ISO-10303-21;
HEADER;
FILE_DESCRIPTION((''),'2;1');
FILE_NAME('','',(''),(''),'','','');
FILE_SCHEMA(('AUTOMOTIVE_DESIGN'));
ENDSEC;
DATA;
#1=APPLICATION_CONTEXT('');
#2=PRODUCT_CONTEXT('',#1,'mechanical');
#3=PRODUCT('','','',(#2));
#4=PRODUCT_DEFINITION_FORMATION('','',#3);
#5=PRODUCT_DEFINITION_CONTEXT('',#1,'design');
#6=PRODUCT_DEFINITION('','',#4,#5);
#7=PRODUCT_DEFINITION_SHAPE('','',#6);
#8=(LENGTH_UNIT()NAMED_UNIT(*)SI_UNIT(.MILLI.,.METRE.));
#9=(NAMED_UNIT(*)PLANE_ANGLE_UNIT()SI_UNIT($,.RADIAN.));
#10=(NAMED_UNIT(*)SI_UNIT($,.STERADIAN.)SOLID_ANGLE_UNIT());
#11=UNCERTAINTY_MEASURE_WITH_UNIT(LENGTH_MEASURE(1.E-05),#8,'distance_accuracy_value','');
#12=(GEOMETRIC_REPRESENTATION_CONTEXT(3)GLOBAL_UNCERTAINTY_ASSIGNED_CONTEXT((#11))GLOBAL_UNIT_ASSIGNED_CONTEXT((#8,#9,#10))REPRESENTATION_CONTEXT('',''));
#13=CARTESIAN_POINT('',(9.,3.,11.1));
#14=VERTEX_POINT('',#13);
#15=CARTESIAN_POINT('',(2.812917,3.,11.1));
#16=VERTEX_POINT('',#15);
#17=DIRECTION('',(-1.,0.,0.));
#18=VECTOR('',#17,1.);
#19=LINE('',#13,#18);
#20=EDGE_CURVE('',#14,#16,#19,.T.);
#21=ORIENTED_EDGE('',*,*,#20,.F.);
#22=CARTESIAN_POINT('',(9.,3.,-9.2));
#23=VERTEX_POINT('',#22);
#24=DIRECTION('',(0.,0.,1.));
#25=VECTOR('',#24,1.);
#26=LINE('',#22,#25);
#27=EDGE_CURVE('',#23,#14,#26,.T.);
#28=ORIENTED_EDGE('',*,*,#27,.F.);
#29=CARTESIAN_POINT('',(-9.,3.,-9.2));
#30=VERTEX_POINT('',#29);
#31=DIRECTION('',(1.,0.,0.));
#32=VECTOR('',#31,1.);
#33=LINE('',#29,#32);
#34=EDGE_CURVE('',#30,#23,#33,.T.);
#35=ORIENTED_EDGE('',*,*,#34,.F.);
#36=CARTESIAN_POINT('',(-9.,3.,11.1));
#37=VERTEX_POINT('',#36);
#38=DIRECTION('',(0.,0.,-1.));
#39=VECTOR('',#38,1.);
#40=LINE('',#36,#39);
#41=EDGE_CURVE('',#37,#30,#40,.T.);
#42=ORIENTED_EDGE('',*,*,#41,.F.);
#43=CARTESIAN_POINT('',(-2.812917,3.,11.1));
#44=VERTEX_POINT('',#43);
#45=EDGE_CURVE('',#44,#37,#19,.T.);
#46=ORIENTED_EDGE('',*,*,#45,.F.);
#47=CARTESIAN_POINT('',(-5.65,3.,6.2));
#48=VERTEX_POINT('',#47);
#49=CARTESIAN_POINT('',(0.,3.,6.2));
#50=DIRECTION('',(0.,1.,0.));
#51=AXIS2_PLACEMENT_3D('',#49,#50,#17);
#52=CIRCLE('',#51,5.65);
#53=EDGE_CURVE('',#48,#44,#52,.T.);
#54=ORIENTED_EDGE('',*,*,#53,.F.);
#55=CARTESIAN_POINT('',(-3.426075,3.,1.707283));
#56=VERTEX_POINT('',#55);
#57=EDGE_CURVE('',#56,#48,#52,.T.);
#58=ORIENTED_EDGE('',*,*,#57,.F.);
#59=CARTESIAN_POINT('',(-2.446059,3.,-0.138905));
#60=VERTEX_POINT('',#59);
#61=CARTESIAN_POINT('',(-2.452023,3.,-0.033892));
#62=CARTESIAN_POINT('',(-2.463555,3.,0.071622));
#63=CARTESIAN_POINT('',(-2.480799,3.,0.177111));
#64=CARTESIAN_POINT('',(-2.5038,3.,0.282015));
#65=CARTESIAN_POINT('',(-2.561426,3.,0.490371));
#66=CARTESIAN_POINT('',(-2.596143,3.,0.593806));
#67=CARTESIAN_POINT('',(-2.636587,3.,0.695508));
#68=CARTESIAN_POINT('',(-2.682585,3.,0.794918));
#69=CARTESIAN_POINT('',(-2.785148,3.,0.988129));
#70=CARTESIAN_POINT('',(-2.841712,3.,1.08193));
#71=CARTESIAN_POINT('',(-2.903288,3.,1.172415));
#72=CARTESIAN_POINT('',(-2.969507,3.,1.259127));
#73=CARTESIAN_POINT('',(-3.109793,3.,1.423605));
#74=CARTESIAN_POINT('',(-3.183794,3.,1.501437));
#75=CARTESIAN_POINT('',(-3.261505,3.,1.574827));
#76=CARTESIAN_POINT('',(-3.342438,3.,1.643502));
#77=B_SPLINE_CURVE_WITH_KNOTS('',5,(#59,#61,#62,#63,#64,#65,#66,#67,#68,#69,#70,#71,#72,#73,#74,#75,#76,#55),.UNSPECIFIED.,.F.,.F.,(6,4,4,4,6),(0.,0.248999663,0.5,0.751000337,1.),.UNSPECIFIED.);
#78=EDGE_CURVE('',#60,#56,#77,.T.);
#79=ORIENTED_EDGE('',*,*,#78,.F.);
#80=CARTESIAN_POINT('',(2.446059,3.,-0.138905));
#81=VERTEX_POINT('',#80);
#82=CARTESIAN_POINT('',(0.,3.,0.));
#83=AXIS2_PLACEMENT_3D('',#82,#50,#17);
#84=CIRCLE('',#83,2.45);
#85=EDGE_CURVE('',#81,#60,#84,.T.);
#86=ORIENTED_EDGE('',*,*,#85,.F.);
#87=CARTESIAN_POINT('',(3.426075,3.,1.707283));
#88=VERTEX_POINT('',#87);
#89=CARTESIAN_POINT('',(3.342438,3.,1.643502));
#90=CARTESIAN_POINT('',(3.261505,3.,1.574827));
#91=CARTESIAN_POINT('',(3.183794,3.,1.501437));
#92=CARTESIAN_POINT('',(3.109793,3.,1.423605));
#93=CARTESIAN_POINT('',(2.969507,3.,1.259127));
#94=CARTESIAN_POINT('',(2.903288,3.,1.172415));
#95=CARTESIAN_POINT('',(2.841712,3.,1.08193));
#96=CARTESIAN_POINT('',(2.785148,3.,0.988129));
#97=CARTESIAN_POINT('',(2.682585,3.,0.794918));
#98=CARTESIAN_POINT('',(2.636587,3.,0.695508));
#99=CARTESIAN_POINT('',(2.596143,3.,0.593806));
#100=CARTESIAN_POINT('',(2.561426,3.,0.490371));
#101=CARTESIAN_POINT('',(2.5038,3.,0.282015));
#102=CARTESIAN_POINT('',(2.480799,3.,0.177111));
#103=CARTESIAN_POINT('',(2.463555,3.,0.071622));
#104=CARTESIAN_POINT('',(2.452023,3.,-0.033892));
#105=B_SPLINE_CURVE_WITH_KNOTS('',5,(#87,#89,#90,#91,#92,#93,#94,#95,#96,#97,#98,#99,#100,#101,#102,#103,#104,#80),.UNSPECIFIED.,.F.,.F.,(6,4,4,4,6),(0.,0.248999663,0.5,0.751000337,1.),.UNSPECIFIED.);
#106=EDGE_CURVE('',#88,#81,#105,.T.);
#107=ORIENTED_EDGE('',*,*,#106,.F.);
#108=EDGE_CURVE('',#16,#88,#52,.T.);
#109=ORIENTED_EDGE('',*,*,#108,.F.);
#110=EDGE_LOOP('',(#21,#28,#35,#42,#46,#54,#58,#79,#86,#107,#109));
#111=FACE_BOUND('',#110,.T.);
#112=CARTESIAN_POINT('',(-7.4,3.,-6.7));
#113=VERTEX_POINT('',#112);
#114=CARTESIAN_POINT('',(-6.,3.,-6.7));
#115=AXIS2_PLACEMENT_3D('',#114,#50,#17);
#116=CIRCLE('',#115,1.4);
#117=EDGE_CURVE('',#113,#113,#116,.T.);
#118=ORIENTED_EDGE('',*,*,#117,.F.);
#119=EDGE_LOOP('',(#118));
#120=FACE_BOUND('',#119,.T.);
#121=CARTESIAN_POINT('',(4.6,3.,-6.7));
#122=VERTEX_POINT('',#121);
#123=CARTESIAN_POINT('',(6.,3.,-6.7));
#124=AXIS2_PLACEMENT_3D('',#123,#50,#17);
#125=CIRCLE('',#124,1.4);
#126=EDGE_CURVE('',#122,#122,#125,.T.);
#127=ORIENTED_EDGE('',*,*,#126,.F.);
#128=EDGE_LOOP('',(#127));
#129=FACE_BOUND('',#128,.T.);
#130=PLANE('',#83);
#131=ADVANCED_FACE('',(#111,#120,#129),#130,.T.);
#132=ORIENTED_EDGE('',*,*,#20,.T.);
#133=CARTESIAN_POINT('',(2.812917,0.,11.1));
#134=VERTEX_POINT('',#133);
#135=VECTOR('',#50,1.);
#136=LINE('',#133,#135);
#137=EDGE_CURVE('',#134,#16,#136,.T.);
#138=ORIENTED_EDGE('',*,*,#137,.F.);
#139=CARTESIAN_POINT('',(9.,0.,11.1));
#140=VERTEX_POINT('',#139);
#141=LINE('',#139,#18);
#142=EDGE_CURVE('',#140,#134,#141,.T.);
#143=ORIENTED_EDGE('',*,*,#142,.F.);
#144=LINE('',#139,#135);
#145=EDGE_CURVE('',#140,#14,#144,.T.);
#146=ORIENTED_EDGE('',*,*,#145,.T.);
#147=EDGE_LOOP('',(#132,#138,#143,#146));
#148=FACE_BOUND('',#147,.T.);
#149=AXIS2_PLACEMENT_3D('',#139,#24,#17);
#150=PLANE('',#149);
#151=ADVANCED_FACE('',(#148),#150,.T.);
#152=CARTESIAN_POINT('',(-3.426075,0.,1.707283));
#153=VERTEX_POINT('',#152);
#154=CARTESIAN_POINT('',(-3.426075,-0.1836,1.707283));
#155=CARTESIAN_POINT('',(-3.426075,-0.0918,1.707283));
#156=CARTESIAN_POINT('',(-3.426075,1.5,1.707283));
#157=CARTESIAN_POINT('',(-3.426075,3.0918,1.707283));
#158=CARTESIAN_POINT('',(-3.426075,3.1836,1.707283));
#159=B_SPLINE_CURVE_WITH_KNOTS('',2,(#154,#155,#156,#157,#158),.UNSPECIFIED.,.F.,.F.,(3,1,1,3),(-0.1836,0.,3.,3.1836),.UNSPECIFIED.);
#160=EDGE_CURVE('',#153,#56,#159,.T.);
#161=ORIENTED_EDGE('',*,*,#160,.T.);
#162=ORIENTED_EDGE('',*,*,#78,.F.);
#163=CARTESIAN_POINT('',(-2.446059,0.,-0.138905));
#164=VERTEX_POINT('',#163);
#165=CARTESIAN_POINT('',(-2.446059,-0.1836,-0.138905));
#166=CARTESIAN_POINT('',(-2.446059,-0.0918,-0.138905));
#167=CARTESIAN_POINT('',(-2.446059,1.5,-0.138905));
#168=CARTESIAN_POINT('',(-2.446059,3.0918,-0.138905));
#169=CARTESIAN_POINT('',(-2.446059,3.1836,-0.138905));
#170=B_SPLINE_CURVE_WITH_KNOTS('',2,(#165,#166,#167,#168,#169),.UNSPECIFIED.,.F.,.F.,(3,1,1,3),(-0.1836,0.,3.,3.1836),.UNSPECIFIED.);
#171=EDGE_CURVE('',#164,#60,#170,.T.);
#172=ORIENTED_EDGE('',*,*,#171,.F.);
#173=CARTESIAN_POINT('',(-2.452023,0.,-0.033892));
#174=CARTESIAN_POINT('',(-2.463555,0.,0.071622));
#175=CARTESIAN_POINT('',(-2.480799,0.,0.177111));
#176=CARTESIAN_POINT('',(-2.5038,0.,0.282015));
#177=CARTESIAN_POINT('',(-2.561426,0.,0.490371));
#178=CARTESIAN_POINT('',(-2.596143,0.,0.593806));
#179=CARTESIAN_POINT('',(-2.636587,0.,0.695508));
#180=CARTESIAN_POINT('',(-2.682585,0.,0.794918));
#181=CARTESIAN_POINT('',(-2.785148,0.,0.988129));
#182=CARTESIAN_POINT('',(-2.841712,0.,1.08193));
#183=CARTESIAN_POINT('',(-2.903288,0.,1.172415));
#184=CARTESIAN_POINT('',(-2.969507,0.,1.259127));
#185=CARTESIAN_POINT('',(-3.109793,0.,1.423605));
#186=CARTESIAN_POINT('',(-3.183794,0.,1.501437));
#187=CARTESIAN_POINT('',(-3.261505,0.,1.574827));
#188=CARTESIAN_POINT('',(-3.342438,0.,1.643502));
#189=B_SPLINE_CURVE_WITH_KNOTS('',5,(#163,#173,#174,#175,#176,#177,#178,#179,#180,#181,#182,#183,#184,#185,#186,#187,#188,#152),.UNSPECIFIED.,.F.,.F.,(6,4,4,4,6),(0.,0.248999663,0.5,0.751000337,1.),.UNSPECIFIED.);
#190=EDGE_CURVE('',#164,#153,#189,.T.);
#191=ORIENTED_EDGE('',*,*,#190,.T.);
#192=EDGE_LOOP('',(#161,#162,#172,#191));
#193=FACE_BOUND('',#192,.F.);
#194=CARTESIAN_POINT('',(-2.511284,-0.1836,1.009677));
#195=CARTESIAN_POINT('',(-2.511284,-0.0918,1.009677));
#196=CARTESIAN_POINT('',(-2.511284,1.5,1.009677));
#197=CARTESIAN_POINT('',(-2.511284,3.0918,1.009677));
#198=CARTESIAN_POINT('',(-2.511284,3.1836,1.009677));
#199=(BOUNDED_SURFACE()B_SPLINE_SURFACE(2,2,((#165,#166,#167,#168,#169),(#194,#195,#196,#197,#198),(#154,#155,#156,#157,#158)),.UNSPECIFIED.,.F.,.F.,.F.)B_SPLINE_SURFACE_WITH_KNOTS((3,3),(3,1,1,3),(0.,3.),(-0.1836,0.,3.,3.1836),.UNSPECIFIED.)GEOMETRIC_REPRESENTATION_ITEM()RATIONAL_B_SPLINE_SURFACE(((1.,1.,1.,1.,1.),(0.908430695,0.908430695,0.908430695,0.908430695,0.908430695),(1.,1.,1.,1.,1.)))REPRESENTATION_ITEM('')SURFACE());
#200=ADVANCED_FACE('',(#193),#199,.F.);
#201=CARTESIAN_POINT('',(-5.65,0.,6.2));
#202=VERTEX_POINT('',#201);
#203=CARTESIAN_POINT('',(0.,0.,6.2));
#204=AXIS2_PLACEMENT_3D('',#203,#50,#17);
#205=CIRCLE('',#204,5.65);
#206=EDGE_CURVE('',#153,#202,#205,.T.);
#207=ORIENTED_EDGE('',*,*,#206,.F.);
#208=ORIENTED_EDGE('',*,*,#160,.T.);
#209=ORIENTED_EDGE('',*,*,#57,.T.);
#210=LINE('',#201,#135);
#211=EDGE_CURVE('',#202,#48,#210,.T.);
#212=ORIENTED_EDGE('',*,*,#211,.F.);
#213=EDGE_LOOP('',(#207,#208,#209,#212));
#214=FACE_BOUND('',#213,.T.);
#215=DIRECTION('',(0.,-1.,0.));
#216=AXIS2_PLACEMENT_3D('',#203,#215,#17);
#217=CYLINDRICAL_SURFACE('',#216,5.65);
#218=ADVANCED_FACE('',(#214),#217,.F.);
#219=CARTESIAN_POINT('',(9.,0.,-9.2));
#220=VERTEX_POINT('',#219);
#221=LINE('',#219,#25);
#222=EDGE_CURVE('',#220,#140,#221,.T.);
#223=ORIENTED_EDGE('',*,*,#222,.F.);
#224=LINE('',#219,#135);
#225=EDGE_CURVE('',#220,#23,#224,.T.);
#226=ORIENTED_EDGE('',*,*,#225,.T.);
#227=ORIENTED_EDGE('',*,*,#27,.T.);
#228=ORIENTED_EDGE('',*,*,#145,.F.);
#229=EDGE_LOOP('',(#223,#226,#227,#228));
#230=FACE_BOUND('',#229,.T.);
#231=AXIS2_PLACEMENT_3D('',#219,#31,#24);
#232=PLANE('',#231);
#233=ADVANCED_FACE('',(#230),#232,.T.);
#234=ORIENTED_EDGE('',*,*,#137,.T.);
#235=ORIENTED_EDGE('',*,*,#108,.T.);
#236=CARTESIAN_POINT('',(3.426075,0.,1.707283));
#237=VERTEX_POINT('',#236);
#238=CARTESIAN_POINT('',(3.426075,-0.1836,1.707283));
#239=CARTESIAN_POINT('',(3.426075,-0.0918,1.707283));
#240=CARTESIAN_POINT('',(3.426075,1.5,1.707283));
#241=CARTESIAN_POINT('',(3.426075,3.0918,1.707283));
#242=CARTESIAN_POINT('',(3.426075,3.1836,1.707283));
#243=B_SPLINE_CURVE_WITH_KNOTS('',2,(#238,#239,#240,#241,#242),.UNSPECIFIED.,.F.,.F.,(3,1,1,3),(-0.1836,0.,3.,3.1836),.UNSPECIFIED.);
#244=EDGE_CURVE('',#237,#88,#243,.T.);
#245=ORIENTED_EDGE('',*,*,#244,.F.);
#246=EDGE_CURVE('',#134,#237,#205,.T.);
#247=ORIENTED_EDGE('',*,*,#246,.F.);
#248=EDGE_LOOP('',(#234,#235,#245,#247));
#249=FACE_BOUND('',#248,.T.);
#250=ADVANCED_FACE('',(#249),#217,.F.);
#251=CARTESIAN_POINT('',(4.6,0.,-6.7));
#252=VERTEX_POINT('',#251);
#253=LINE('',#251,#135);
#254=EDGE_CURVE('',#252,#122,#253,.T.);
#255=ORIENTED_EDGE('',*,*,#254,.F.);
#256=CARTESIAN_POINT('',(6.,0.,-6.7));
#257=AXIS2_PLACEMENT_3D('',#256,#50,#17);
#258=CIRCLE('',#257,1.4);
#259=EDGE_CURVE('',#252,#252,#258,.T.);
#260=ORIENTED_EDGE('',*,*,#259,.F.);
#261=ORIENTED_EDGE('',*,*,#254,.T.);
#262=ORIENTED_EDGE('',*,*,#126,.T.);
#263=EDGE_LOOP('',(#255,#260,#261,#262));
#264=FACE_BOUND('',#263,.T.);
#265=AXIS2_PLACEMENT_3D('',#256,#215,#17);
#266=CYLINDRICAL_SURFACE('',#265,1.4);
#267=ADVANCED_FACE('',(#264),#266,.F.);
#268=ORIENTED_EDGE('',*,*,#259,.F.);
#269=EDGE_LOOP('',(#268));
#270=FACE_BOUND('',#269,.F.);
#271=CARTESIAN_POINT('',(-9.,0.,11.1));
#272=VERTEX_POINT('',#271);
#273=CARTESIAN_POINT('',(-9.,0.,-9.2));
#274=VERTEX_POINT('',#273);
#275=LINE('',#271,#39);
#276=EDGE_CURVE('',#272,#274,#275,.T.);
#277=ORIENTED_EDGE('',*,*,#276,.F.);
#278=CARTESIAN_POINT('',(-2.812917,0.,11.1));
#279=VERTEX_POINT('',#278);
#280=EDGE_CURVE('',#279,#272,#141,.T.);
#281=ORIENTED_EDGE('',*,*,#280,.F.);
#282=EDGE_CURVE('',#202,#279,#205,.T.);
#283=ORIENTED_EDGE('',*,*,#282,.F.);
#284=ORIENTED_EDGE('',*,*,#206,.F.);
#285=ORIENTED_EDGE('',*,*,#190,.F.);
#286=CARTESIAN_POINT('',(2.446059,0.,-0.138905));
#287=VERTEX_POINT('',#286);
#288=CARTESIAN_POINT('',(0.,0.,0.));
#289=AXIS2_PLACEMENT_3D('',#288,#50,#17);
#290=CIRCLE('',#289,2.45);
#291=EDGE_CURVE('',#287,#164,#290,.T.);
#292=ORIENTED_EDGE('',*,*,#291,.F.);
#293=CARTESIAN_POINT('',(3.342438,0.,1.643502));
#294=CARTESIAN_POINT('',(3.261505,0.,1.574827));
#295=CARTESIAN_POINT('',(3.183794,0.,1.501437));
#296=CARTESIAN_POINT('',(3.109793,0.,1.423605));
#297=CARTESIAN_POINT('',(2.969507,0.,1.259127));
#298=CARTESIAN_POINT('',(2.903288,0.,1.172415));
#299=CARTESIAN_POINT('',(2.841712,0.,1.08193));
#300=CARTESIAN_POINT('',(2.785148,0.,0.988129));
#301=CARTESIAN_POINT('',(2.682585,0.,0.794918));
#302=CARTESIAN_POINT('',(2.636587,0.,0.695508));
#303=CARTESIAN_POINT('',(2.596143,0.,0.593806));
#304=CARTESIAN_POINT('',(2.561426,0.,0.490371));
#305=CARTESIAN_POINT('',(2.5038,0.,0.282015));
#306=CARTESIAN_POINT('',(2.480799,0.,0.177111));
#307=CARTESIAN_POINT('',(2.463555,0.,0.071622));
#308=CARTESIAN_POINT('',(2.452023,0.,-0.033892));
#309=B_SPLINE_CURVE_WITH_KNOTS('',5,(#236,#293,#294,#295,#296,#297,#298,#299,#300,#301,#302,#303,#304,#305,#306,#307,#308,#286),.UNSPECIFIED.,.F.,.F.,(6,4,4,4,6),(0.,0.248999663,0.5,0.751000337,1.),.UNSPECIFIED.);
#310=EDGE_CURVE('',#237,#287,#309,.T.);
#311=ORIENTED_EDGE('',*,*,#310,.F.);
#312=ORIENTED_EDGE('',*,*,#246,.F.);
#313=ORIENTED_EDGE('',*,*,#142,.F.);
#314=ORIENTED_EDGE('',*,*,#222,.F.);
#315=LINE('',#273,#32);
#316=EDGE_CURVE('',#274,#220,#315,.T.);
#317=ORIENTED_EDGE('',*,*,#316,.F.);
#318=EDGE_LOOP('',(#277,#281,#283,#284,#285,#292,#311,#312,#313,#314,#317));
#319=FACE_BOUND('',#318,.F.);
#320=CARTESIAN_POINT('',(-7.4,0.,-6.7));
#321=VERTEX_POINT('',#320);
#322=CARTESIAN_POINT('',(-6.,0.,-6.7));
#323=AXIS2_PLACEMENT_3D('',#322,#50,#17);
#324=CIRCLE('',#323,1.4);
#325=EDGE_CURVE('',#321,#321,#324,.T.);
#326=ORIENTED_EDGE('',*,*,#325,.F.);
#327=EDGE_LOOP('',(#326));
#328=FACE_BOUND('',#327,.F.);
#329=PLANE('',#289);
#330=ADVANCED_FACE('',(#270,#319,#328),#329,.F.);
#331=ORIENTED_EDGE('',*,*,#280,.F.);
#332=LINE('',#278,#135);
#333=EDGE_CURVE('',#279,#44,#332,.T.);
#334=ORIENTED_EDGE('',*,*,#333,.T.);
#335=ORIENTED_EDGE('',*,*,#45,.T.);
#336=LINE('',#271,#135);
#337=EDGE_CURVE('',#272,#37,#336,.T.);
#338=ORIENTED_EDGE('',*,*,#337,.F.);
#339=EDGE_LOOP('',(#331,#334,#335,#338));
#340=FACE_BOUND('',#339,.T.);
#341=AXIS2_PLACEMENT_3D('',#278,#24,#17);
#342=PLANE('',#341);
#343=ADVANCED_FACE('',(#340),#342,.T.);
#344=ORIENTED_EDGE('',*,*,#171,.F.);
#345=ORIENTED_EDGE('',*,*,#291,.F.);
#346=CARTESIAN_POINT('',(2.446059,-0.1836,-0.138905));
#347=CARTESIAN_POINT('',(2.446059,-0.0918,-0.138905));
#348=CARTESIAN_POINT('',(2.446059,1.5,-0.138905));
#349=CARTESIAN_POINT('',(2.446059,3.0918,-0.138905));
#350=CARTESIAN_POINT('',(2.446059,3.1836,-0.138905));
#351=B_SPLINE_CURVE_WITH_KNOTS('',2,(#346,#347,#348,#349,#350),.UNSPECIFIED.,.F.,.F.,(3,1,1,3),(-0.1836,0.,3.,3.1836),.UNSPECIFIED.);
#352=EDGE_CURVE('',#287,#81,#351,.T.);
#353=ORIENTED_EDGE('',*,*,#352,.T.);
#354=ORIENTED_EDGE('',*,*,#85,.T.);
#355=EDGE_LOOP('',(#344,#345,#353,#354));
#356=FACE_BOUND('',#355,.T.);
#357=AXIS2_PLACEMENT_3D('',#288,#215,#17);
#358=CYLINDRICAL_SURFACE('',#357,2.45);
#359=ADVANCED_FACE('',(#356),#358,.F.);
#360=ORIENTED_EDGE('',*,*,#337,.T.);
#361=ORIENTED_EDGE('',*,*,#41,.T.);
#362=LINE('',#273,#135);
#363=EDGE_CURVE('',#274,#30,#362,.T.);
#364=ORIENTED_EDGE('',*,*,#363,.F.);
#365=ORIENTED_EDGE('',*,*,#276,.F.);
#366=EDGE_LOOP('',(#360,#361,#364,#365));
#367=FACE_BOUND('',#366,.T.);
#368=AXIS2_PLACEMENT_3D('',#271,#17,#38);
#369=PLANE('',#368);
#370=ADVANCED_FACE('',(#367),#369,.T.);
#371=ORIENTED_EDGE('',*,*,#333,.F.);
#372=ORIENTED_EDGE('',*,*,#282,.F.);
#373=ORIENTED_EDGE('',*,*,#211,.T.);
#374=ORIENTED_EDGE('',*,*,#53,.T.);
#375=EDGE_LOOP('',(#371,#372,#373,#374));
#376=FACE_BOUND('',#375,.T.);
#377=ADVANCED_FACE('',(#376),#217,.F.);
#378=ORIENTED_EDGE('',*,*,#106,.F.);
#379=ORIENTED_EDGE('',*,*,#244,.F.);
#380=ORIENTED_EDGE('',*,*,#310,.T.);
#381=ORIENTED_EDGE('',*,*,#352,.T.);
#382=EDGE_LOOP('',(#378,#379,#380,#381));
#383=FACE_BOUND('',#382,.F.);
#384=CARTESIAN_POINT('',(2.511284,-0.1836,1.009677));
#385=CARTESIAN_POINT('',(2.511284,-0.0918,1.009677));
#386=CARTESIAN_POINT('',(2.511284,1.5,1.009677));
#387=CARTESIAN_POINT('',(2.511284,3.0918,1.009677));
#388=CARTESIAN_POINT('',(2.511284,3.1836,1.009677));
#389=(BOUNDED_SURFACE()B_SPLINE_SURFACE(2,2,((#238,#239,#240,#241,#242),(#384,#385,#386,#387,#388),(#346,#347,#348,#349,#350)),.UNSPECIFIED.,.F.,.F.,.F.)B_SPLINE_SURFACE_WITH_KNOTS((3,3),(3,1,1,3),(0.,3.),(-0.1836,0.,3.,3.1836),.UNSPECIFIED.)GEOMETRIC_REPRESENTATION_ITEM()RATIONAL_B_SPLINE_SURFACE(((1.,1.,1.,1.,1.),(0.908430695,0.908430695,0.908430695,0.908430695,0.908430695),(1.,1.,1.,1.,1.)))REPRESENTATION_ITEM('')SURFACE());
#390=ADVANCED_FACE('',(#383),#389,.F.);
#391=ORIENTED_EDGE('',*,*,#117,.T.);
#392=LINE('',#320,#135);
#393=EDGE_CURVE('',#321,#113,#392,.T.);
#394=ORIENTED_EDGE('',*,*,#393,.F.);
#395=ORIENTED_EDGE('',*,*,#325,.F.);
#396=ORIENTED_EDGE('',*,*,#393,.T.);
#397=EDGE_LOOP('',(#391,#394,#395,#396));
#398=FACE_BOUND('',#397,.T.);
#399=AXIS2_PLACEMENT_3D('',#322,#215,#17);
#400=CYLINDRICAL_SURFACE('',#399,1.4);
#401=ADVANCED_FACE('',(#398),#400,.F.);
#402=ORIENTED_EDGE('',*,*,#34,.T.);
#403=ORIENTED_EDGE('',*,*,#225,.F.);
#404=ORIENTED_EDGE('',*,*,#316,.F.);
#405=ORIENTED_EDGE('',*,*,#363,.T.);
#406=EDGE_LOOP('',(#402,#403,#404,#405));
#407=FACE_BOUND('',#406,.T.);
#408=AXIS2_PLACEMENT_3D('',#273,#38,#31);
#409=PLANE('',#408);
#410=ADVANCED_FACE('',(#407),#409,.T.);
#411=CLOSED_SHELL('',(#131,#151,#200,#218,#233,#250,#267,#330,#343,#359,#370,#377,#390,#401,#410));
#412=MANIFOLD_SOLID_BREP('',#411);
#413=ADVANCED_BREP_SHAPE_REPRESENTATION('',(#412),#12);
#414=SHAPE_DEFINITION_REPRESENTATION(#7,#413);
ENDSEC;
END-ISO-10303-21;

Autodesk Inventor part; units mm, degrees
ref_plane "YZ Plane" through (0, 0, 0) normal (1, 0, 0) x (0, 1, 0)
ref_plane "XZ Plane" through (0, 0, 0) normal (0, 1, 0) x (-1, 0, 0)
ref_plane "XY Plane" through (0, 0, 0) normal (0, 0, 1) x (1, 0, 0)
sketch "Sketch2" plane through (0, 0, 0) normal (0, 1, 0) x (-1, 0, 0)
  circle A0 centre (0, 0) radius 2.45
  circle A1 centre (0, 6.2) radius 5.65
  line L0 (9, -9.2) -> (-9, -9.2)
  line L1 (-9, -9.2) -> (-9, 11.1)
  line L2 (-9, 11.1) -> (9, 11.1)
  line L3 (9, 11.1) -> (9, -9.2)
  circle A2 centre (6, -6.7) radius 1.4
  line L4 (0, 0) -> (0, -9.2) construction
  circle A3 centre (-6, -6.7) radius 1.4
  point P0 (2.8129, 11.1)
  point P1 (2.2323, 1.0097)
  point P2 (-2.2323, 1.0097)
  point P3 (-2.8129, 11.1)
  dimension "d20" = 4.9
  dimension "d21" = 11.3
  dimension "d22" = 6.2
  dimension "d23" = 4.9
  dimension "d24" = 18
  dimension "d25" = 20.3
  dimension "d26" = 2.8
  dimension "d27" = 2.5
  dimension "d28" = 3
extrude "Extrusion1" add sketch "Sketch2" along normal blind 3 contours A0 A1 L2 L3 L0 L1
fillet "Fillet1" radius 2.5 2 edges at (-2.2323, 1.5, 1.0097) (2.2323, 1.5, 1.0097)
properties part number "sujetador_cremallera"
